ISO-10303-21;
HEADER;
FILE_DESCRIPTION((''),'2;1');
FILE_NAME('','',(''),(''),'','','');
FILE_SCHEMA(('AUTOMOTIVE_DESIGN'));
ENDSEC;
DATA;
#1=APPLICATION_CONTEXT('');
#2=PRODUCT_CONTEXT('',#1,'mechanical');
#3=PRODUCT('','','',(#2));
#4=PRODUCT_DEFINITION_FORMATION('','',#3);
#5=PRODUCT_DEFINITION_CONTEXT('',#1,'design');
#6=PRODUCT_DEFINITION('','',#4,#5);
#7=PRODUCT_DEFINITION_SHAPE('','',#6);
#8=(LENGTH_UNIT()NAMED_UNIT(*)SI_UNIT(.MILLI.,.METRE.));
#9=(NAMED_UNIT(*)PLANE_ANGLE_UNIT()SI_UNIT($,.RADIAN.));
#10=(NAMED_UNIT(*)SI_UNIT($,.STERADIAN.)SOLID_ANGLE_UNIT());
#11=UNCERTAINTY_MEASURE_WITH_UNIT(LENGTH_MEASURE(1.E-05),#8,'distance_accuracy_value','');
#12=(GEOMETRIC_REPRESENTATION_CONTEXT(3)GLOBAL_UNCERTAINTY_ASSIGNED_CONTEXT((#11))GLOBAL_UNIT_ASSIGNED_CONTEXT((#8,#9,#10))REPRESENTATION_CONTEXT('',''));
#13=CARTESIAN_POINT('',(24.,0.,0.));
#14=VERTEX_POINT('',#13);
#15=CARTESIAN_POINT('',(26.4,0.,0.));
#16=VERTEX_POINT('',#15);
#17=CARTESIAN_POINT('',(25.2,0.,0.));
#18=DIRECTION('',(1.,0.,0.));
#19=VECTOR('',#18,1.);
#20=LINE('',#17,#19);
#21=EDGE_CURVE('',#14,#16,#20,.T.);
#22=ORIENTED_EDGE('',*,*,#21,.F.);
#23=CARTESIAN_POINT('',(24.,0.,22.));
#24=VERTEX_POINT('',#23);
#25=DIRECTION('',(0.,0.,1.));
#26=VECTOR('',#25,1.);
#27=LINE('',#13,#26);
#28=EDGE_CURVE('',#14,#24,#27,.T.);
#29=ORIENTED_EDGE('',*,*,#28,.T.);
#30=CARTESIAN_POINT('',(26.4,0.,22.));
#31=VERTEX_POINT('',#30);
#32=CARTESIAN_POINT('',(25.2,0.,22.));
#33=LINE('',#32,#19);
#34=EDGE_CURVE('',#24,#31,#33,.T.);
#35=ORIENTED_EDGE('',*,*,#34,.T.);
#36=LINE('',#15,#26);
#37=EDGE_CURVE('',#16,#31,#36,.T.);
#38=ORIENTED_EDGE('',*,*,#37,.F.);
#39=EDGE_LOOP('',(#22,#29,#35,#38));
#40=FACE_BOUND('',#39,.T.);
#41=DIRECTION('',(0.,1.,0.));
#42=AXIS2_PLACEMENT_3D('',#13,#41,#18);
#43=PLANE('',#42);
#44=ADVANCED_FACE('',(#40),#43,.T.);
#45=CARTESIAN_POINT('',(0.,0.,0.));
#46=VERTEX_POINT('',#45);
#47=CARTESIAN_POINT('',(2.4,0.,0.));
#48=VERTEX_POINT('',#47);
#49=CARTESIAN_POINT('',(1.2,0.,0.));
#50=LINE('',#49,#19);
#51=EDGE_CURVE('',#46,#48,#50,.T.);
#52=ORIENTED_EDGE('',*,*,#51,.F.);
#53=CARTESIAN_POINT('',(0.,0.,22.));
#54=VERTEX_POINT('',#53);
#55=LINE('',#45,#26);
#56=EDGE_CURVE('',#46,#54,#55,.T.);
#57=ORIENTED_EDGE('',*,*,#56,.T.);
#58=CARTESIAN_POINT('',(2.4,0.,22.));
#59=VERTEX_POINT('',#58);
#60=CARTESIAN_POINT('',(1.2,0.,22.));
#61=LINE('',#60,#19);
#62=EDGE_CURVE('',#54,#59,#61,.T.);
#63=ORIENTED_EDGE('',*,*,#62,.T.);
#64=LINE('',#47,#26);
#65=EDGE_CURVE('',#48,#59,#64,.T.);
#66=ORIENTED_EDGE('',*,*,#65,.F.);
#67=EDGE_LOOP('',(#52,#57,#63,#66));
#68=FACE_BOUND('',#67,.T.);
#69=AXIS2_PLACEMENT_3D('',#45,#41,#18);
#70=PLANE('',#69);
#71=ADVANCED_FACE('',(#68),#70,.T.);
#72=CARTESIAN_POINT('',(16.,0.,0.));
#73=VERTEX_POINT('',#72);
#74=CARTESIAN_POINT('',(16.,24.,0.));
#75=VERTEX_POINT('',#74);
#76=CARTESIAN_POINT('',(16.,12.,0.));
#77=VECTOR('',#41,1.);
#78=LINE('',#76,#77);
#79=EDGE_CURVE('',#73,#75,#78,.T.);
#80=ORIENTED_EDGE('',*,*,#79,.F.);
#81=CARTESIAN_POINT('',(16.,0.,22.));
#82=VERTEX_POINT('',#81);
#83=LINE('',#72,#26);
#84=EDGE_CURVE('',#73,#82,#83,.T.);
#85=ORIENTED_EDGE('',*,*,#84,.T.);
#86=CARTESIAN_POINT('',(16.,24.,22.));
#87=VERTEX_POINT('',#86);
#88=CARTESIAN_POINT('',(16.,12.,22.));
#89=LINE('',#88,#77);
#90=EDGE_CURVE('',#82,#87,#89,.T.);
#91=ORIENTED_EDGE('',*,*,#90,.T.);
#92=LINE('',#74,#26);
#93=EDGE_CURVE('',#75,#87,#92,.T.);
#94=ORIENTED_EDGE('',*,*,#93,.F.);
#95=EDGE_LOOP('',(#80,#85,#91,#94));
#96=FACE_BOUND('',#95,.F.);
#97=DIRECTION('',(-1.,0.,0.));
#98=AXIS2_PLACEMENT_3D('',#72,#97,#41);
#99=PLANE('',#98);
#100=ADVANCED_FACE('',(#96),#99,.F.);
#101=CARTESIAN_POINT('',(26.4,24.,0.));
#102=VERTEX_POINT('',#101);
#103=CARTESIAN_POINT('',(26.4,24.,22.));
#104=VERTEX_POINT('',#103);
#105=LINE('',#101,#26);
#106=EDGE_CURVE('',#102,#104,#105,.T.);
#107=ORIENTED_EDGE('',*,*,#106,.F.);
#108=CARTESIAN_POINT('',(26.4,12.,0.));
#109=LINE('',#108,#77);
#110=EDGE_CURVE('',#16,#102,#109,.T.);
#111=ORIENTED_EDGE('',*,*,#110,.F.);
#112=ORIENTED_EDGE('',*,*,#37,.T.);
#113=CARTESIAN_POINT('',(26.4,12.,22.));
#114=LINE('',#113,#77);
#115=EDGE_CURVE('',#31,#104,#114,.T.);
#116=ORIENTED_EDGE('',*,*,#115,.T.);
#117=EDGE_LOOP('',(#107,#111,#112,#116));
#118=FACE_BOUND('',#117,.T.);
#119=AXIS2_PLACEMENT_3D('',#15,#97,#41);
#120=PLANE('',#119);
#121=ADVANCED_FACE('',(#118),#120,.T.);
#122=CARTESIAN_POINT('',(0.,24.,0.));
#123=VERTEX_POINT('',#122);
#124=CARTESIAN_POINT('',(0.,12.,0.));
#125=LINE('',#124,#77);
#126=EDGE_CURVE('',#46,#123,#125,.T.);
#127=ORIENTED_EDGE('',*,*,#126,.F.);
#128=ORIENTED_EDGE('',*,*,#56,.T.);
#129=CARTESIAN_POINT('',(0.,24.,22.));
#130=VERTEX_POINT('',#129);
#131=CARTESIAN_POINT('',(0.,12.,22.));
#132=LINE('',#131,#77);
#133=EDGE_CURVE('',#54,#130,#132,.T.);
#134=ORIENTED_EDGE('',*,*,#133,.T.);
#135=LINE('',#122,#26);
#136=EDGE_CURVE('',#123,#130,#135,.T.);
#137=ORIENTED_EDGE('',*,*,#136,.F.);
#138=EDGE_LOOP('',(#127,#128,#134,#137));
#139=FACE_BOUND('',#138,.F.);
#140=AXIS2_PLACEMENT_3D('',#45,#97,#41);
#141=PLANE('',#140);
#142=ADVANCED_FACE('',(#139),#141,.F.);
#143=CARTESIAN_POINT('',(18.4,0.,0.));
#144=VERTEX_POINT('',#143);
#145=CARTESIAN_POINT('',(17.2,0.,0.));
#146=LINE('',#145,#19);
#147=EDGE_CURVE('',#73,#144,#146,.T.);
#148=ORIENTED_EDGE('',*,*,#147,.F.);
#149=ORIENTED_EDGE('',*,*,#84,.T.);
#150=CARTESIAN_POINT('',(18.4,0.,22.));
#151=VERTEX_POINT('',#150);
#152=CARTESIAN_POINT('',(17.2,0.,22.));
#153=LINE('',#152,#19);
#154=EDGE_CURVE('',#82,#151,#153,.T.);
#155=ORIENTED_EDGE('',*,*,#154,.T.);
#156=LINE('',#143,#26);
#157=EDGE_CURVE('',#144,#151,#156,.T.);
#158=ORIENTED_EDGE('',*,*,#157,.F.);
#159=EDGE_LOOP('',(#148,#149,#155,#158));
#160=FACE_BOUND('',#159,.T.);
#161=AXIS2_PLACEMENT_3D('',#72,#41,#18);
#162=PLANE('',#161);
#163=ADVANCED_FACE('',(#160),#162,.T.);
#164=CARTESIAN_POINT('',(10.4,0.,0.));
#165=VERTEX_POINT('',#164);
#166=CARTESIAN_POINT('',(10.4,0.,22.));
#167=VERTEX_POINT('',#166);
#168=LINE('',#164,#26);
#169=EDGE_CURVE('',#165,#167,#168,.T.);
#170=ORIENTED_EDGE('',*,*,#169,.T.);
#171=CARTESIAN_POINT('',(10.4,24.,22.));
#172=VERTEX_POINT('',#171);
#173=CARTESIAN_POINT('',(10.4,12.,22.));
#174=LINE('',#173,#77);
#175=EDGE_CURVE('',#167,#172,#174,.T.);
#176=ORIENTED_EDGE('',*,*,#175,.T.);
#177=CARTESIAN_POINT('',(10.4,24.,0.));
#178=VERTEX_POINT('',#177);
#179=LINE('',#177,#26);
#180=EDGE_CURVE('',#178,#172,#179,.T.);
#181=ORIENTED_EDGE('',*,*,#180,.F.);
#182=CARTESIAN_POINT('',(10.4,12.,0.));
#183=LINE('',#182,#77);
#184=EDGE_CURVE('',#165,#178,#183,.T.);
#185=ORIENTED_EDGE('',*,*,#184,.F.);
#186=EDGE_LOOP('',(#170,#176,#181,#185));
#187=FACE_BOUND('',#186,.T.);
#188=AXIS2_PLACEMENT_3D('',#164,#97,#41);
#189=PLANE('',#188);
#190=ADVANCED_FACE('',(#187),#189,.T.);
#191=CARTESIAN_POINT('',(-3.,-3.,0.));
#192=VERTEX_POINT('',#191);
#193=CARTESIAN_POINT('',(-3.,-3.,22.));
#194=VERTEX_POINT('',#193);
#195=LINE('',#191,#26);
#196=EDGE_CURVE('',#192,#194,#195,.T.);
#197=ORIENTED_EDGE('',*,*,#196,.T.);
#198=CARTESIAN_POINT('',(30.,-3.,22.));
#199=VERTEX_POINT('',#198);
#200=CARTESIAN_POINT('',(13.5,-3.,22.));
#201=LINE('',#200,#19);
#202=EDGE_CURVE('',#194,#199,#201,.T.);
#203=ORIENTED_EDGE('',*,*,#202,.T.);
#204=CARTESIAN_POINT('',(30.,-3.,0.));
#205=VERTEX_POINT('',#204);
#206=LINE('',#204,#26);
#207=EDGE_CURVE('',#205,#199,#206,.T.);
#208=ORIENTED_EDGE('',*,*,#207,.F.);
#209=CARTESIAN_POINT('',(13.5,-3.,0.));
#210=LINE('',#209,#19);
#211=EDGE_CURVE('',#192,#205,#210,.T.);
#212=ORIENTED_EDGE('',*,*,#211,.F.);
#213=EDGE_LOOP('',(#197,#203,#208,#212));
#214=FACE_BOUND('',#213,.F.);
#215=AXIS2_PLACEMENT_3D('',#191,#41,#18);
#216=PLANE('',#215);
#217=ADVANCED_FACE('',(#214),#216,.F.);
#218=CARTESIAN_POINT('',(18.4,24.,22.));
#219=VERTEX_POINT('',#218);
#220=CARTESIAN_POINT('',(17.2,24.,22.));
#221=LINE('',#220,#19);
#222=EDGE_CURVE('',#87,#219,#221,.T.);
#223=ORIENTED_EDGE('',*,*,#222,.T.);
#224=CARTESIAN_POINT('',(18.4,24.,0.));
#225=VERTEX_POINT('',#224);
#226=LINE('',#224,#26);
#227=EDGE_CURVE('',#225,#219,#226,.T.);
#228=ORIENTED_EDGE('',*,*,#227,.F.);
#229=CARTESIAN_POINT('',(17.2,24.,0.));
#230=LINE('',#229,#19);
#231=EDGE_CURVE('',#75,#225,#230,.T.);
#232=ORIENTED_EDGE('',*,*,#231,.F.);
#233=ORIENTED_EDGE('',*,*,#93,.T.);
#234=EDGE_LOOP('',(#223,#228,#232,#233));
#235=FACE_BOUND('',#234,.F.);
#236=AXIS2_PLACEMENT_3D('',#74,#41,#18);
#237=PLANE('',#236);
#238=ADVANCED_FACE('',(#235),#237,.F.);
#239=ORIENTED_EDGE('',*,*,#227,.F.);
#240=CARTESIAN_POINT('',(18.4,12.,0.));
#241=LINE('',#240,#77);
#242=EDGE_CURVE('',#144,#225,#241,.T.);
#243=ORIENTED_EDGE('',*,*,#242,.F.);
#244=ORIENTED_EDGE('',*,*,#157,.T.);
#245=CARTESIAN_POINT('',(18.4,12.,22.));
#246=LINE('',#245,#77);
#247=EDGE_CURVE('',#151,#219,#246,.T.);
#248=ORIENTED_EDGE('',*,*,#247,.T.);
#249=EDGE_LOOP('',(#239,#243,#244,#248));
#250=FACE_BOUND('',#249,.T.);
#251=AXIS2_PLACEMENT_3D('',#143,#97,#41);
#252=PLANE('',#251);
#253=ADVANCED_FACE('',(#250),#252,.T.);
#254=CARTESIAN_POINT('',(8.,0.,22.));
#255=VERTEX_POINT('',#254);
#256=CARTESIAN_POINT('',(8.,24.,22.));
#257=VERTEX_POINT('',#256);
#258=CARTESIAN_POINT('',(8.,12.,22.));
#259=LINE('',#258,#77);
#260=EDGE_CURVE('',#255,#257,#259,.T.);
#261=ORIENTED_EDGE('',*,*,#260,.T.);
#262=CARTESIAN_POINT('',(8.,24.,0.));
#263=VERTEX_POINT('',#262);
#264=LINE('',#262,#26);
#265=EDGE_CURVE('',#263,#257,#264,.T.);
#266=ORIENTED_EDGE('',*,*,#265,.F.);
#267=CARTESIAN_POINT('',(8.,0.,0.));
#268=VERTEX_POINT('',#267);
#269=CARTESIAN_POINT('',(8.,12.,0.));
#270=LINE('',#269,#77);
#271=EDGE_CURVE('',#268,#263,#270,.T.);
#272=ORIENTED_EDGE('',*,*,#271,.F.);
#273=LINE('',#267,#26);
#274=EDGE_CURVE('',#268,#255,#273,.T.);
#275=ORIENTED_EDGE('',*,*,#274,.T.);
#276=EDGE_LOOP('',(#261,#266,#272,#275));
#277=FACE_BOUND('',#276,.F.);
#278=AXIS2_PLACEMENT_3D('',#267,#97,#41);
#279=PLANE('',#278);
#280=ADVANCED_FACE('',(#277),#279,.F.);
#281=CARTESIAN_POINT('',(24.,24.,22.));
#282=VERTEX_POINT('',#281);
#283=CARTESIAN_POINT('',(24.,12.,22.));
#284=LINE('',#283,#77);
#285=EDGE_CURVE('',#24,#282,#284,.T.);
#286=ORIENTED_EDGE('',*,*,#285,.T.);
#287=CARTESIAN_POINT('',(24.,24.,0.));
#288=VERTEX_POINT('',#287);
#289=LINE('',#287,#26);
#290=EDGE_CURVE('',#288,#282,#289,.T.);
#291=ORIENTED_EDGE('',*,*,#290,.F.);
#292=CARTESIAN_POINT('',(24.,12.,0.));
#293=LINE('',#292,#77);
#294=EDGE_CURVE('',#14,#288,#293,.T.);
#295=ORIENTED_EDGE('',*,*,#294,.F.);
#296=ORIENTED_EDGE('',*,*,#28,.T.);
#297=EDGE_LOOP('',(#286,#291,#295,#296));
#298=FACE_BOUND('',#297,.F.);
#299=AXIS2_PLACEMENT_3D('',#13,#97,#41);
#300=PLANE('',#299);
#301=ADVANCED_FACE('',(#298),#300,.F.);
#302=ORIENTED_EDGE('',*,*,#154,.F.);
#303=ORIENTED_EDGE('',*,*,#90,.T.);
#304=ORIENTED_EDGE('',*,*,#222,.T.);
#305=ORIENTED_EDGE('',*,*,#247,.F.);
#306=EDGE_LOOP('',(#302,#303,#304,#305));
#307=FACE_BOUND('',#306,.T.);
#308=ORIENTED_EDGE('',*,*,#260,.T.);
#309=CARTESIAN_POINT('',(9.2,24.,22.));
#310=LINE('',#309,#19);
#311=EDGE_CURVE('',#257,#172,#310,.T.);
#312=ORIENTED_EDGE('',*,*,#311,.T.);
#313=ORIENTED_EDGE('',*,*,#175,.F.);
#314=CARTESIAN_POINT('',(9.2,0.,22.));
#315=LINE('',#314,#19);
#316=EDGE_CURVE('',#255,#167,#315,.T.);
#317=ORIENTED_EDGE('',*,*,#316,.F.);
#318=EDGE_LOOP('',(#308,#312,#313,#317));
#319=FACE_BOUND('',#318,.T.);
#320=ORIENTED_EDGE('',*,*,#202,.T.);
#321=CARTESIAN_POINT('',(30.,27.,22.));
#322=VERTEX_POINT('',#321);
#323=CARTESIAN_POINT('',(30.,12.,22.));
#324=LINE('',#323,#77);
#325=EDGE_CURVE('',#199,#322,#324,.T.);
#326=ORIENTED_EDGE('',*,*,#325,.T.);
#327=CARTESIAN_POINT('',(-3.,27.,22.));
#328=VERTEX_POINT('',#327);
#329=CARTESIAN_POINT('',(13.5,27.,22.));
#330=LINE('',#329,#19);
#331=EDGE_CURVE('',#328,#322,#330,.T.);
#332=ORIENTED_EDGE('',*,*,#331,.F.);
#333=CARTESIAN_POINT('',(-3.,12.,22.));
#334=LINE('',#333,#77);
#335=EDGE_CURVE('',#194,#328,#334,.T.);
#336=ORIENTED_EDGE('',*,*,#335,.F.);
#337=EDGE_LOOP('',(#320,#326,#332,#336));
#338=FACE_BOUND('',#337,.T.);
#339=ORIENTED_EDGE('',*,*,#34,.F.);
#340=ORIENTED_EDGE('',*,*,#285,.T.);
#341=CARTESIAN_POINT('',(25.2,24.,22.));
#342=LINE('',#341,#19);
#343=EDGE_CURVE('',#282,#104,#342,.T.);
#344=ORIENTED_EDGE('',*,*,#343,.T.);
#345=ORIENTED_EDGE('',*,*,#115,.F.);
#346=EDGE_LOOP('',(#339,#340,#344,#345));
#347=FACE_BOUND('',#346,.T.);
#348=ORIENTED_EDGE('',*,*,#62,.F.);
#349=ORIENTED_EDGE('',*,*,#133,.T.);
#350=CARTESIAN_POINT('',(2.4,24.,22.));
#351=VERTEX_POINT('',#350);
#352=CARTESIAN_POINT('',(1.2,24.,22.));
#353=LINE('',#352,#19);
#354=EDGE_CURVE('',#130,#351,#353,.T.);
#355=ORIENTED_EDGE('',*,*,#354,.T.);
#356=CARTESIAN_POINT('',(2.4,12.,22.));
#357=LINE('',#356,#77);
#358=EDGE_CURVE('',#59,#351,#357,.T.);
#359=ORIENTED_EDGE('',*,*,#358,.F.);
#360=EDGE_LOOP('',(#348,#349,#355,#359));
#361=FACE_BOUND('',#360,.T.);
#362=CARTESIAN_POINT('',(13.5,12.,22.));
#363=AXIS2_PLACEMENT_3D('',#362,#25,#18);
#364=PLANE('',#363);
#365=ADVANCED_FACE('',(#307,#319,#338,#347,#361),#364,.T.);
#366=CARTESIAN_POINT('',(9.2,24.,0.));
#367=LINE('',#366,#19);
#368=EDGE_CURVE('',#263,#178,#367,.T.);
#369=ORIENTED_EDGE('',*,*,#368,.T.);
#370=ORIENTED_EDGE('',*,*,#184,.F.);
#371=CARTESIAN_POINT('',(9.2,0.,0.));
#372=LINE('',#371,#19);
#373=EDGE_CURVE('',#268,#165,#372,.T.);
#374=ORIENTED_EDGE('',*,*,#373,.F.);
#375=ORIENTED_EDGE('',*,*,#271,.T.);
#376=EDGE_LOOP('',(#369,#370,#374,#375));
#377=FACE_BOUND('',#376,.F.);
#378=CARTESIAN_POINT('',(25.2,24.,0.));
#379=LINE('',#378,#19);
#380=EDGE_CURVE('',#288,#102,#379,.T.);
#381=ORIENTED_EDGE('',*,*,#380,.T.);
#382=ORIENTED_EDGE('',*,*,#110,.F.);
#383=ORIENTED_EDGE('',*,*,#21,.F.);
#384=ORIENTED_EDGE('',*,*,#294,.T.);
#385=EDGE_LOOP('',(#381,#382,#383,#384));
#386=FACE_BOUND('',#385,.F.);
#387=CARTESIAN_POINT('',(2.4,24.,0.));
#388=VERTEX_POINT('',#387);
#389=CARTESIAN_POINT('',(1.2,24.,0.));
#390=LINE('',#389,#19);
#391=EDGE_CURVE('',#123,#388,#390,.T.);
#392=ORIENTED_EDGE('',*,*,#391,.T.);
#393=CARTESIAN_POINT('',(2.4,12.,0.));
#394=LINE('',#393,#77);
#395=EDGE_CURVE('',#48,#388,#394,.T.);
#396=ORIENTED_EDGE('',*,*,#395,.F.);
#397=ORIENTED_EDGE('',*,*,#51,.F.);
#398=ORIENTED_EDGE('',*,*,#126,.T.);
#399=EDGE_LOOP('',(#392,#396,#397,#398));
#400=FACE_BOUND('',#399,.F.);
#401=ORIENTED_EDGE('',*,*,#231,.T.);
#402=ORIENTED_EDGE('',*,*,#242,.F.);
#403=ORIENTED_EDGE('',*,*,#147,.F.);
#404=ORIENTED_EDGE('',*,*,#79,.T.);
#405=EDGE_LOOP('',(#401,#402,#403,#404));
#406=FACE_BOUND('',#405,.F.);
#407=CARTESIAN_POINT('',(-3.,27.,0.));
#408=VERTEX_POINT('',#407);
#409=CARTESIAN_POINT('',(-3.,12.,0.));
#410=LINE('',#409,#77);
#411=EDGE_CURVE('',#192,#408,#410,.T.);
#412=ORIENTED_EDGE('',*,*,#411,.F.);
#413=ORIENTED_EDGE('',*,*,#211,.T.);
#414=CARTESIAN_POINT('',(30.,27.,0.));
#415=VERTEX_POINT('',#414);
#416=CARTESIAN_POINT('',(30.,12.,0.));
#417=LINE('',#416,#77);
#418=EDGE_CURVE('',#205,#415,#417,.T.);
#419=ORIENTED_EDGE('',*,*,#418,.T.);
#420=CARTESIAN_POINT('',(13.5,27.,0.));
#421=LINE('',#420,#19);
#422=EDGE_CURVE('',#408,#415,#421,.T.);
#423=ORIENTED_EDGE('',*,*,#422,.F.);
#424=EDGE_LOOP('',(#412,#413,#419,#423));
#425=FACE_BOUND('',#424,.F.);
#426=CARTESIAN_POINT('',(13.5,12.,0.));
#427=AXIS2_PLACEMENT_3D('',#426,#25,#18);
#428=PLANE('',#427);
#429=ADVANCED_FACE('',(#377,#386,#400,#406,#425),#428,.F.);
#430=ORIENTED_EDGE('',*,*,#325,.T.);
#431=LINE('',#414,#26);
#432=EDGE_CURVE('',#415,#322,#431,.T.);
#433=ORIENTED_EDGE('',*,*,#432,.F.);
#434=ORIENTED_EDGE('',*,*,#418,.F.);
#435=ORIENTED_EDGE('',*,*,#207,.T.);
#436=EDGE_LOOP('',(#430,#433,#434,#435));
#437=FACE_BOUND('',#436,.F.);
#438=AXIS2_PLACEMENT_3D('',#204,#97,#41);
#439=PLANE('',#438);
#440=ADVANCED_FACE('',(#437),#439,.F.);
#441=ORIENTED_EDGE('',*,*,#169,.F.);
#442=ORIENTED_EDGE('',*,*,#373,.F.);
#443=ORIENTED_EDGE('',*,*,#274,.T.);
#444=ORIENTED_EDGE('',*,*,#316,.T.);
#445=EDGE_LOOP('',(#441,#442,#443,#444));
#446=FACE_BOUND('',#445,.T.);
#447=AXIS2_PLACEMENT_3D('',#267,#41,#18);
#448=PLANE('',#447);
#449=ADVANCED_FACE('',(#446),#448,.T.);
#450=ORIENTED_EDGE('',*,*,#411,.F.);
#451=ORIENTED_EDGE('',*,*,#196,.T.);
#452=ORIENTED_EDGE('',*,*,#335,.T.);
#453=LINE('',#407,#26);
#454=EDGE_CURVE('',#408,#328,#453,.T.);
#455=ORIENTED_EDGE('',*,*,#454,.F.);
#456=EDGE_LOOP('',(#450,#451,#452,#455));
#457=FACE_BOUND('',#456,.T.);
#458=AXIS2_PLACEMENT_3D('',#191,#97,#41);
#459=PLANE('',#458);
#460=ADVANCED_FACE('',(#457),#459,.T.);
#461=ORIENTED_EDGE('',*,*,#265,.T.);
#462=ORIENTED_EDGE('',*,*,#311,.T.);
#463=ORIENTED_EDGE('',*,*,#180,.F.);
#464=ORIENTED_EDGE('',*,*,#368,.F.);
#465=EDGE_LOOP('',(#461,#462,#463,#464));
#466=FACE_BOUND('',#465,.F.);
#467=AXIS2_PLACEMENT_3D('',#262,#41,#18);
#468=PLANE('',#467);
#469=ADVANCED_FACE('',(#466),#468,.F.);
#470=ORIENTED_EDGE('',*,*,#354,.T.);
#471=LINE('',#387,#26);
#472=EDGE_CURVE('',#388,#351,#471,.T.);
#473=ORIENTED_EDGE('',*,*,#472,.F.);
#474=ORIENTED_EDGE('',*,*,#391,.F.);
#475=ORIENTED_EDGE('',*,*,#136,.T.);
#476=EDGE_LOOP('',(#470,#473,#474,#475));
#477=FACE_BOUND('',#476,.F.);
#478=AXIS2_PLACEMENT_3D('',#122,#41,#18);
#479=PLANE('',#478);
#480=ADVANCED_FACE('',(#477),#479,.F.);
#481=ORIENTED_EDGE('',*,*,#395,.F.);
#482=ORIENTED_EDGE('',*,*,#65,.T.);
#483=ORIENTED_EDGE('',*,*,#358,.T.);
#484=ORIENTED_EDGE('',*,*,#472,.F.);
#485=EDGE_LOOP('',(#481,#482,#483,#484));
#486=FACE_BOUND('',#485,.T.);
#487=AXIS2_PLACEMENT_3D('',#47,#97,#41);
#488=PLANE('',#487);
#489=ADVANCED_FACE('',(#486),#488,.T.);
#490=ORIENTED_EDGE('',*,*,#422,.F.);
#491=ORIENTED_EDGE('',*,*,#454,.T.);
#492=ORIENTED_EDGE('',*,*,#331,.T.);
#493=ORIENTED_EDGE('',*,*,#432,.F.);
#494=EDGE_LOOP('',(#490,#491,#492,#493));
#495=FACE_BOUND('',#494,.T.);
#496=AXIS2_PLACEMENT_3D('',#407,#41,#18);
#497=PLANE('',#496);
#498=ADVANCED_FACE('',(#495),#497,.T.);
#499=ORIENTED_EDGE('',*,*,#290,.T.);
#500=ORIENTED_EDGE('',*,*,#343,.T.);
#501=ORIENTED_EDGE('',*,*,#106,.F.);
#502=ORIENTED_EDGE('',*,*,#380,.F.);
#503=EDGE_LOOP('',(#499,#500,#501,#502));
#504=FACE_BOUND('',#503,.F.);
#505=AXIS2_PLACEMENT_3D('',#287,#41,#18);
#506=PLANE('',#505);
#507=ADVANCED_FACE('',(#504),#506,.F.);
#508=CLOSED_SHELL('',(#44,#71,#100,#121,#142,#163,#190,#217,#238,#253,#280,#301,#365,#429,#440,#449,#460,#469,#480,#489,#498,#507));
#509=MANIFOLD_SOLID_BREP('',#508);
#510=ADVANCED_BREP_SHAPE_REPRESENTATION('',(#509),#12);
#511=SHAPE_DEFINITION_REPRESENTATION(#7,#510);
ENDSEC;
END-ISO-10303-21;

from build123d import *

# Parameters (mm, degrees)
BOX004_W     = 2.4
BOX004_H     = 24
BOX004_DEPTH = 22
BOX002_W     = 2.4
BOX002_H     = 24
BOX002_DEPTH = 22
BOX001_W     = 2.4
BOX001_H     = 24
BOX001_DEPTH = 22
BOX003_W     = 2.4
BOX003_H     = 24
BOX003_DEPTH = 22
BOX_W        = 33
BOX_H        = 30
BOX_DEPTH    = 22


with BuildPart() as cub004:
    # Box004 → Box004 (new body)
    with BuildSketch(Plane(origin=(24, 0, 0), x_dir=(1, 0, 0), z_dir=(0, 0, 1))):
        with Locations((1.2, 12)):
            Rectangle(BOX004_W, BOX004_H)
    extrude(amount=BOX004_DEPTH)


with BuildPart() as cub002:
    # Box002 → Box002 (new body)
    with BuildSketch(Plane(origin=(8, 0, 0), x_dir=(1, 0, 0), z_dir=(0, 0, 1))):
        with Locations((1.2, 12)):
            Rectangle(BOX002_W, BOX002_H)
    extrude(amount=BOX002_DEPTH)


with BuildPart() as fusion:
    # Box001 → Box001 (new body)
    with BuildSketch(Plane.XY):
        with Locations((1.2, 12)):
            Rectangle(BOX001_W, BOX001_H)
    extrude(amount=BOX001_DEPTH)

    # Fusion: union Cub002
    add(cub002.part)


with BuildPart() as fusion001:
    # Box003 → Box003 (new body)
    with BuildSketch(Plane(origin=(16, 0, 0), x_dir=(1, 0, 0), z_dir=(0, 0, 1))):
        with Locations((1.2, 12)):
            Rectangle(BOX003_W, BOX003_H)
    extrude(amount=BOX003_DEPTH)

    # Fusion001: union Cub004, Fusion
    add(cub004.part)
    add(fusion.part)


with BuildPart() as cut:
    # Box → Box (new body)
    with BuildSketch(Plane(origin=(-3, -3, 0), x_dir=(1, 0, 0), z_dir=(0, 0, 1))):
        with Locations((16.5, 15)):
            Rectangle(BOX_W, BOX_H)
    extrude(amount=BOX_DEPTH)

    # Cut: cut Fusion001
    add(fusion001.part, mode=Mode.SUBTRACT)


solid = cut.part
